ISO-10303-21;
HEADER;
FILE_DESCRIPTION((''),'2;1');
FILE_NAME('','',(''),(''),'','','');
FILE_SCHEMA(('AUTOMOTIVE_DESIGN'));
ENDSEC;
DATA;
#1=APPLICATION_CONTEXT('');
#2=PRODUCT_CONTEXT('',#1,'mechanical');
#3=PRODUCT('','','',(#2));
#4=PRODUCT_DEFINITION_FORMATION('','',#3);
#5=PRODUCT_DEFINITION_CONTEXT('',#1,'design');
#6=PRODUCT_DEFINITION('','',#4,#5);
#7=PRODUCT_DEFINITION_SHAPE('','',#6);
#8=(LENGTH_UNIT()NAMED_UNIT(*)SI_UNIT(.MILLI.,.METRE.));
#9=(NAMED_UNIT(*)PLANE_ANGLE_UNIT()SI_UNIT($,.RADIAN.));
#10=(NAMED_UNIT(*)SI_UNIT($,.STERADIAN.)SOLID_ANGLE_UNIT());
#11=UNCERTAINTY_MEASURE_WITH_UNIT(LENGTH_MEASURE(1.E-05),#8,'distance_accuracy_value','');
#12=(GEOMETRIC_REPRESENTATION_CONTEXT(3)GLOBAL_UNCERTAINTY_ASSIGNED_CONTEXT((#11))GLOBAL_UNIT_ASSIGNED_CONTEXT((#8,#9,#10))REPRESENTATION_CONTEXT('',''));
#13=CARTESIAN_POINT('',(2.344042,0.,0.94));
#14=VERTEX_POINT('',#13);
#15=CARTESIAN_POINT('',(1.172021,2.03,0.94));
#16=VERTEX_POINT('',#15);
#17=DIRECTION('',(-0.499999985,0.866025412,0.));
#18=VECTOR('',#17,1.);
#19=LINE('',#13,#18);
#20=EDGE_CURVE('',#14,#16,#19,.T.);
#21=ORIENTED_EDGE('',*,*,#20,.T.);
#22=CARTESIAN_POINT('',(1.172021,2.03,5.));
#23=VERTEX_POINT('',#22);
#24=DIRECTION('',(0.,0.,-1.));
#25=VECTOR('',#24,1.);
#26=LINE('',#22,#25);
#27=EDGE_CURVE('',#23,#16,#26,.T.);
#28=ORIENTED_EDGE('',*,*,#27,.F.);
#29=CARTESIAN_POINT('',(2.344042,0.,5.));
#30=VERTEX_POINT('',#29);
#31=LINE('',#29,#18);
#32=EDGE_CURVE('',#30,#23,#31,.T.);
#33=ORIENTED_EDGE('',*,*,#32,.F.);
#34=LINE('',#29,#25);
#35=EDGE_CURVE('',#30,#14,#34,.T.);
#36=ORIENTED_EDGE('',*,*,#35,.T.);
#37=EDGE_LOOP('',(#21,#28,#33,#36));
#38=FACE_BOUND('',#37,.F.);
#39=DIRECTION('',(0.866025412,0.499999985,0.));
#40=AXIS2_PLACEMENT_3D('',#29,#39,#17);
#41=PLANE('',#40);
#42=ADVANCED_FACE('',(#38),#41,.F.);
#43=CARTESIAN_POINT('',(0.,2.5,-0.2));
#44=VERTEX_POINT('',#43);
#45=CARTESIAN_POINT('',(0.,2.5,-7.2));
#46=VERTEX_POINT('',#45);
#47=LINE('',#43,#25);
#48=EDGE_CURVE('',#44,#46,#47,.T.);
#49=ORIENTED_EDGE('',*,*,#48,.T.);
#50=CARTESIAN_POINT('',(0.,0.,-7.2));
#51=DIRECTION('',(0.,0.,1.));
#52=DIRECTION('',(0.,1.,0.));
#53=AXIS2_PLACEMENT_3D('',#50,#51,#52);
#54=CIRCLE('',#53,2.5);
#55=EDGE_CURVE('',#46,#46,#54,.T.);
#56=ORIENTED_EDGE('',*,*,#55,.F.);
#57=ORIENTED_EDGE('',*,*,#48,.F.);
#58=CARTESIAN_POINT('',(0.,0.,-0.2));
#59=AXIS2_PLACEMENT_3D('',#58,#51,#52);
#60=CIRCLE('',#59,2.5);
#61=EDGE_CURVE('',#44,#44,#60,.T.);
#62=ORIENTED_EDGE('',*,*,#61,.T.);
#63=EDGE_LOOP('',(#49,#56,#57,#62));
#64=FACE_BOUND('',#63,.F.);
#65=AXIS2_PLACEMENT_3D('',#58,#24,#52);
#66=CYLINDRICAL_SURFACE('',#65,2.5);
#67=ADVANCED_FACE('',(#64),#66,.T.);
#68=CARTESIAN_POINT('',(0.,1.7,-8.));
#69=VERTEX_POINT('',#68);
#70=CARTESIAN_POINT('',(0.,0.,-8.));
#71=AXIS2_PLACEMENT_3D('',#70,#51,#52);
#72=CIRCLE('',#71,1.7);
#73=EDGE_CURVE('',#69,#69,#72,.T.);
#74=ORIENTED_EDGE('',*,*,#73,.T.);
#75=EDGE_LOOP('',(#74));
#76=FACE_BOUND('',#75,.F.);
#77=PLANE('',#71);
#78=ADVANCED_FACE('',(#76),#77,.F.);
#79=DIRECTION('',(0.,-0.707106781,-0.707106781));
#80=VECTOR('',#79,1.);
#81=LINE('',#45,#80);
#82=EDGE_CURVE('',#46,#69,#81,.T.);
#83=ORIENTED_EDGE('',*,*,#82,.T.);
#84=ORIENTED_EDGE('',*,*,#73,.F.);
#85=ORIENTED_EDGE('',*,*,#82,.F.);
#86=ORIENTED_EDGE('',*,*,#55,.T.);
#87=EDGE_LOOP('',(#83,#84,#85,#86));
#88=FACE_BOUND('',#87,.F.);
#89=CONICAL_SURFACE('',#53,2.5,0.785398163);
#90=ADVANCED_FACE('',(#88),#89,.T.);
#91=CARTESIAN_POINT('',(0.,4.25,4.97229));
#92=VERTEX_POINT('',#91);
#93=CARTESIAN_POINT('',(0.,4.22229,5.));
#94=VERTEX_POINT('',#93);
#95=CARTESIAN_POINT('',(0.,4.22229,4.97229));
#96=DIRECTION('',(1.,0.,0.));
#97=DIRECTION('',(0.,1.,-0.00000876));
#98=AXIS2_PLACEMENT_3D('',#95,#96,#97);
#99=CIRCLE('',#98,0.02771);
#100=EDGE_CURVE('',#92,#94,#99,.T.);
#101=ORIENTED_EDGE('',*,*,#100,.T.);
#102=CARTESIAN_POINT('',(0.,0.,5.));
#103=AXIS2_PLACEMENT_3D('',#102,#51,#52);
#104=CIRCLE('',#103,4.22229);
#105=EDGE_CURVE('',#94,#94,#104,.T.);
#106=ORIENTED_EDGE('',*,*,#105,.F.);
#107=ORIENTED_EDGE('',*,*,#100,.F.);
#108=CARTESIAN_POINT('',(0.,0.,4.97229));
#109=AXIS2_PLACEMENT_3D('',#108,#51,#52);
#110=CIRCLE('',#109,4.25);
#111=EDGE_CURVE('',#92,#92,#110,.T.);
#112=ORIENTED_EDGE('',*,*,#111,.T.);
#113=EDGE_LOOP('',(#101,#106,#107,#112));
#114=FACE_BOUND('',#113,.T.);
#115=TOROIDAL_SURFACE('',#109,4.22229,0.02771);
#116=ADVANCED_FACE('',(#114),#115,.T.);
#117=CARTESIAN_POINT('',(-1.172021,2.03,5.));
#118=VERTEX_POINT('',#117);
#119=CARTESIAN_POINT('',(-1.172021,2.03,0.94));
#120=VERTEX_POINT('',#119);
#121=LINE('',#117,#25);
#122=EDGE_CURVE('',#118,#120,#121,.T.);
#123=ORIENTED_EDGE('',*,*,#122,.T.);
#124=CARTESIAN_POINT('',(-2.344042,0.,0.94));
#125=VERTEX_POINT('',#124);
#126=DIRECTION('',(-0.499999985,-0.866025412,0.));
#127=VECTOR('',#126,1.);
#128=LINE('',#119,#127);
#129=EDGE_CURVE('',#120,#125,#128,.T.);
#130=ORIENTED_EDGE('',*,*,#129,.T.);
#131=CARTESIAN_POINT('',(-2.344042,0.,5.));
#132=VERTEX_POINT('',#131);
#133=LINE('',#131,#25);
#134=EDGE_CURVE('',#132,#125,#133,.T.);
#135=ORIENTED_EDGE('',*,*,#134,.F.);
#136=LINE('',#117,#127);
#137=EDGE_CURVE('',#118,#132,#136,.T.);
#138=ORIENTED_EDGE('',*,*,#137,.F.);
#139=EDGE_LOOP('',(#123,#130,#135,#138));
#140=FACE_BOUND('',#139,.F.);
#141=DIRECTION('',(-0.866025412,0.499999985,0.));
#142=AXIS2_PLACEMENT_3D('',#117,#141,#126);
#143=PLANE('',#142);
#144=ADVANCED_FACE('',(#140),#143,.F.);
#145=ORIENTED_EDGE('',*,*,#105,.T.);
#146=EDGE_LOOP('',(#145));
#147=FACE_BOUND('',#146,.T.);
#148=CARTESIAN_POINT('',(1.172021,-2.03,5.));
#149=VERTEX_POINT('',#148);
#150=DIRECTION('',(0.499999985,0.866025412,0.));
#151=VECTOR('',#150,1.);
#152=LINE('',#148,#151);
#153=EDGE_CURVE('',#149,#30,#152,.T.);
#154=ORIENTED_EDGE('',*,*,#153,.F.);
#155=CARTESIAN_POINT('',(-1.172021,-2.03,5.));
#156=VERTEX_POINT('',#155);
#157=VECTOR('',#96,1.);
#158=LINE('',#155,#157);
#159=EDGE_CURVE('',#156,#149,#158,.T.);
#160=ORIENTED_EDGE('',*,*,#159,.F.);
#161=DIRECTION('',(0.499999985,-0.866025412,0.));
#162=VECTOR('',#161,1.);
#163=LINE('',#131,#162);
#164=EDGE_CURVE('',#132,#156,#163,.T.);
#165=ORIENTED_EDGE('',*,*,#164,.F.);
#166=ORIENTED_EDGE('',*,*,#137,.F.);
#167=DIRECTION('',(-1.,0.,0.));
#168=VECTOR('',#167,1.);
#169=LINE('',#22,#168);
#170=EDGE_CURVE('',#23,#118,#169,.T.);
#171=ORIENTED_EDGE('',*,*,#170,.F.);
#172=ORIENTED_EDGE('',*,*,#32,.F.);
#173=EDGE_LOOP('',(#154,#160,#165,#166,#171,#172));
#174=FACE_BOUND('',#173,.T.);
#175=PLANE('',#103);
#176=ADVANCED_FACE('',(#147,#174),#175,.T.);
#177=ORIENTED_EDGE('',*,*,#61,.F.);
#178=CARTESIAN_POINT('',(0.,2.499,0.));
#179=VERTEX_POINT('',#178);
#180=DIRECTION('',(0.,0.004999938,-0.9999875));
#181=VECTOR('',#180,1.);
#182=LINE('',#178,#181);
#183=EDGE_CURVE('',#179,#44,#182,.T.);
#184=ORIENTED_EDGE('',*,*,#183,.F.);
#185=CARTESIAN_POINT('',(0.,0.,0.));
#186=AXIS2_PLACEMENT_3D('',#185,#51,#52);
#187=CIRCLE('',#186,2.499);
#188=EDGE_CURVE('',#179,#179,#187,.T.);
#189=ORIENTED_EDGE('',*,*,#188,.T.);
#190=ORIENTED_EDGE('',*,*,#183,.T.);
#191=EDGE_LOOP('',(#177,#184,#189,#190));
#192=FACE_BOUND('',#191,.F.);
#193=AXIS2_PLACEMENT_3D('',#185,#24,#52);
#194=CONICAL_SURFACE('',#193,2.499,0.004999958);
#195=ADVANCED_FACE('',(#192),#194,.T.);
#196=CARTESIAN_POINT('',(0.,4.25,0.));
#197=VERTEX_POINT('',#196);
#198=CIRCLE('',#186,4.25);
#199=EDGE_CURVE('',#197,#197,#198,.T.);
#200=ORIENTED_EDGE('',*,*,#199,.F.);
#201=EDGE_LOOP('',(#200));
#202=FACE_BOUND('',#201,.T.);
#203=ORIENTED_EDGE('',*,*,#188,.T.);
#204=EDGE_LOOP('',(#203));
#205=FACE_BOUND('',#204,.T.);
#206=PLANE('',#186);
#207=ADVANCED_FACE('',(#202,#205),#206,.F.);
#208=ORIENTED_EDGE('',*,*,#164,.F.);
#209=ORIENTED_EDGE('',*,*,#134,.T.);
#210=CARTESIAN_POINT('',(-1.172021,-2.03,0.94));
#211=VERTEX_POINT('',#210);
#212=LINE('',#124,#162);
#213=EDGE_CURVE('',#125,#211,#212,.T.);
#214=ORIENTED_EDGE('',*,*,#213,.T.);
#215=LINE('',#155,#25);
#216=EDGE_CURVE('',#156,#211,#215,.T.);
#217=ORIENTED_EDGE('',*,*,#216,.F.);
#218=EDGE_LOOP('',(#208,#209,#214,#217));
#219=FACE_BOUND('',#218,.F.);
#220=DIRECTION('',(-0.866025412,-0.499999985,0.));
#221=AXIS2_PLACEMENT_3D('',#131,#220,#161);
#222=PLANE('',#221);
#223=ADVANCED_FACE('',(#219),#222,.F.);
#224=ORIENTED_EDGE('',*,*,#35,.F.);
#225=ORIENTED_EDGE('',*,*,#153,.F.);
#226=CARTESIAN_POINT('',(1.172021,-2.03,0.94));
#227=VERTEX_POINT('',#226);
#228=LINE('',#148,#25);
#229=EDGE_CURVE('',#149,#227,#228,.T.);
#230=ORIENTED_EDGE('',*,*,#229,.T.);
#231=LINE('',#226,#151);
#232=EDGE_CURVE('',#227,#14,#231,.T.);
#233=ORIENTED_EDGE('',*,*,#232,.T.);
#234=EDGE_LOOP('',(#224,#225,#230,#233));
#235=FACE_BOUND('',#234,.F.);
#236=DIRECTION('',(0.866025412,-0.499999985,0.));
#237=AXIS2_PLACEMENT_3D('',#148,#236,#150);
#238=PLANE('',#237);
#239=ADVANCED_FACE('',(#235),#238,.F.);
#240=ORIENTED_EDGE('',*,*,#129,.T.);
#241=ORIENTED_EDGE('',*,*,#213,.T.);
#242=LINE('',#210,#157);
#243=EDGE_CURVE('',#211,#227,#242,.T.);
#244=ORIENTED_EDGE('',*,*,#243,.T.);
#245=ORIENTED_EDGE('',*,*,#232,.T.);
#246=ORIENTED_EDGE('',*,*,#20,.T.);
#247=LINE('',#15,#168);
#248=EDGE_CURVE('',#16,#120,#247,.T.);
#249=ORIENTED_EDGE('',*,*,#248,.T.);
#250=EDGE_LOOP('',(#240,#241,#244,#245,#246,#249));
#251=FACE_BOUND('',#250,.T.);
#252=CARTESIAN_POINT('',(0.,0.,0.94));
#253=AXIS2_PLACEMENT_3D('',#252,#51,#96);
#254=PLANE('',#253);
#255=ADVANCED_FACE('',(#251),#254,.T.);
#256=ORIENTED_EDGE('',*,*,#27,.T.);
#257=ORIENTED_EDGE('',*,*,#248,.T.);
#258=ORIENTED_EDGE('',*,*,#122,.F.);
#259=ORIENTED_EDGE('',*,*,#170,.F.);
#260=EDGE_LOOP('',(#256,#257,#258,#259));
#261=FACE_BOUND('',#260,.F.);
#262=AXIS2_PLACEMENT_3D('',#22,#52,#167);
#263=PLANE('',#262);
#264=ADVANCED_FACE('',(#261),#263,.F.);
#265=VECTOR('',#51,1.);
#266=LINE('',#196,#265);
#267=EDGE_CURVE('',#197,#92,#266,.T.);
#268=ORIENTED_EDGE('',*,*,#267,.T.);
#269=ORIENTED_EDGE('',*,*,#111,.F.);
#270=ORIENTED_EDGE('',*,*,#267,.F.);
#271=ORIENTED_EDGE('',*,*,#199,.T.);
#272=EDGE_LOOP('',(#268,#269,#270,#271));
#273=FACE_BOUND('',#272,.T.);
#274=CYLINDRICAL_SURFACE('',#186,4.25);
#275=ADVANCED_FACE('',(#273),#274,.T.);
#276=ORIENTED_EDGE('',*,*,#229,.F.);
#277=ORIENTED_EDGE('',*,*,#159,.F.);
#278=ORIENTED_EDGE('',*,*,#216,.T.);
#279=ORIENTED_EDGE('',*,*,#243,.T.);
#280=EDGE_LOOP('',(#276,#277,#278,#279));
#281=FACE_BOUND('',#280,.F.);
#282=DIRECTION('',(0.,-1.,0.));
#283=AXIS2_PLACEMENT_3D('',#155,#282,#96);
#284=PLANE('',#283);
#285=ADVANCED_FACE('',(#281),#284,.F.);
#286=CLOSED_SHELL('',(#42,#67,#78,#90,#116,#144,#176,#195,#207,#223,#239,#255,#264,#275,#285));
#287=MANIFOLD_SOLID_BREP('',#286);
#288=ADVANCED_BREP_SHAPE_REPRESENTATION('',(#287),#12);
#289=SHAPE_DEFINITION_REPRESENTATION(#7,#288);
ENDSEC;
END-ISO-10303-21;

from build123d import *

# Parameters (mm, degrees)
POCKET_DEPTH = 4.06


with BuildPart() as part:
    # Sketch → Revolve (revolve)
    with BuildSketch(Plane.YZ):
        with BuildLine():
            Line((2.499, 0), (4.25, 0))
            Line((4.25, 0), (4.25, 4.97229))
            ThreePointArc((4.25, 4.97229), (4.241884, 4.991884), (4.22229, 5))
            Line((4.22229, 5), (0, 5))
            Line((0, -8), (0, 5))
            Line((1.7, -8), (0, -8))
            Line((2.5, -7.2), (1.7, -8))
            Line((2.5, -0.2), (2.5, -7.2))
            Line((2.499, 0), (2.5, -0.2))
        make_face()
    revolve(axis=Axis((0, 0, 0), (0, 0, 1)))

    # Sketch001 (on Face5 of Revolve) → Pocket (cut)
    with BuildSketch(Plane.XY.offset(5)):
        Polygon((2.344042, 0), (1.172021, 2.03), (-1.172021, 2.03), (-2.344042, 0), (-1.172021, -2.03), (1.172021, -2.03), align=None)
    extrude(amount=-POCKET_DEPTH, mode=Mode.SUBTRACT)


solid = part.part
